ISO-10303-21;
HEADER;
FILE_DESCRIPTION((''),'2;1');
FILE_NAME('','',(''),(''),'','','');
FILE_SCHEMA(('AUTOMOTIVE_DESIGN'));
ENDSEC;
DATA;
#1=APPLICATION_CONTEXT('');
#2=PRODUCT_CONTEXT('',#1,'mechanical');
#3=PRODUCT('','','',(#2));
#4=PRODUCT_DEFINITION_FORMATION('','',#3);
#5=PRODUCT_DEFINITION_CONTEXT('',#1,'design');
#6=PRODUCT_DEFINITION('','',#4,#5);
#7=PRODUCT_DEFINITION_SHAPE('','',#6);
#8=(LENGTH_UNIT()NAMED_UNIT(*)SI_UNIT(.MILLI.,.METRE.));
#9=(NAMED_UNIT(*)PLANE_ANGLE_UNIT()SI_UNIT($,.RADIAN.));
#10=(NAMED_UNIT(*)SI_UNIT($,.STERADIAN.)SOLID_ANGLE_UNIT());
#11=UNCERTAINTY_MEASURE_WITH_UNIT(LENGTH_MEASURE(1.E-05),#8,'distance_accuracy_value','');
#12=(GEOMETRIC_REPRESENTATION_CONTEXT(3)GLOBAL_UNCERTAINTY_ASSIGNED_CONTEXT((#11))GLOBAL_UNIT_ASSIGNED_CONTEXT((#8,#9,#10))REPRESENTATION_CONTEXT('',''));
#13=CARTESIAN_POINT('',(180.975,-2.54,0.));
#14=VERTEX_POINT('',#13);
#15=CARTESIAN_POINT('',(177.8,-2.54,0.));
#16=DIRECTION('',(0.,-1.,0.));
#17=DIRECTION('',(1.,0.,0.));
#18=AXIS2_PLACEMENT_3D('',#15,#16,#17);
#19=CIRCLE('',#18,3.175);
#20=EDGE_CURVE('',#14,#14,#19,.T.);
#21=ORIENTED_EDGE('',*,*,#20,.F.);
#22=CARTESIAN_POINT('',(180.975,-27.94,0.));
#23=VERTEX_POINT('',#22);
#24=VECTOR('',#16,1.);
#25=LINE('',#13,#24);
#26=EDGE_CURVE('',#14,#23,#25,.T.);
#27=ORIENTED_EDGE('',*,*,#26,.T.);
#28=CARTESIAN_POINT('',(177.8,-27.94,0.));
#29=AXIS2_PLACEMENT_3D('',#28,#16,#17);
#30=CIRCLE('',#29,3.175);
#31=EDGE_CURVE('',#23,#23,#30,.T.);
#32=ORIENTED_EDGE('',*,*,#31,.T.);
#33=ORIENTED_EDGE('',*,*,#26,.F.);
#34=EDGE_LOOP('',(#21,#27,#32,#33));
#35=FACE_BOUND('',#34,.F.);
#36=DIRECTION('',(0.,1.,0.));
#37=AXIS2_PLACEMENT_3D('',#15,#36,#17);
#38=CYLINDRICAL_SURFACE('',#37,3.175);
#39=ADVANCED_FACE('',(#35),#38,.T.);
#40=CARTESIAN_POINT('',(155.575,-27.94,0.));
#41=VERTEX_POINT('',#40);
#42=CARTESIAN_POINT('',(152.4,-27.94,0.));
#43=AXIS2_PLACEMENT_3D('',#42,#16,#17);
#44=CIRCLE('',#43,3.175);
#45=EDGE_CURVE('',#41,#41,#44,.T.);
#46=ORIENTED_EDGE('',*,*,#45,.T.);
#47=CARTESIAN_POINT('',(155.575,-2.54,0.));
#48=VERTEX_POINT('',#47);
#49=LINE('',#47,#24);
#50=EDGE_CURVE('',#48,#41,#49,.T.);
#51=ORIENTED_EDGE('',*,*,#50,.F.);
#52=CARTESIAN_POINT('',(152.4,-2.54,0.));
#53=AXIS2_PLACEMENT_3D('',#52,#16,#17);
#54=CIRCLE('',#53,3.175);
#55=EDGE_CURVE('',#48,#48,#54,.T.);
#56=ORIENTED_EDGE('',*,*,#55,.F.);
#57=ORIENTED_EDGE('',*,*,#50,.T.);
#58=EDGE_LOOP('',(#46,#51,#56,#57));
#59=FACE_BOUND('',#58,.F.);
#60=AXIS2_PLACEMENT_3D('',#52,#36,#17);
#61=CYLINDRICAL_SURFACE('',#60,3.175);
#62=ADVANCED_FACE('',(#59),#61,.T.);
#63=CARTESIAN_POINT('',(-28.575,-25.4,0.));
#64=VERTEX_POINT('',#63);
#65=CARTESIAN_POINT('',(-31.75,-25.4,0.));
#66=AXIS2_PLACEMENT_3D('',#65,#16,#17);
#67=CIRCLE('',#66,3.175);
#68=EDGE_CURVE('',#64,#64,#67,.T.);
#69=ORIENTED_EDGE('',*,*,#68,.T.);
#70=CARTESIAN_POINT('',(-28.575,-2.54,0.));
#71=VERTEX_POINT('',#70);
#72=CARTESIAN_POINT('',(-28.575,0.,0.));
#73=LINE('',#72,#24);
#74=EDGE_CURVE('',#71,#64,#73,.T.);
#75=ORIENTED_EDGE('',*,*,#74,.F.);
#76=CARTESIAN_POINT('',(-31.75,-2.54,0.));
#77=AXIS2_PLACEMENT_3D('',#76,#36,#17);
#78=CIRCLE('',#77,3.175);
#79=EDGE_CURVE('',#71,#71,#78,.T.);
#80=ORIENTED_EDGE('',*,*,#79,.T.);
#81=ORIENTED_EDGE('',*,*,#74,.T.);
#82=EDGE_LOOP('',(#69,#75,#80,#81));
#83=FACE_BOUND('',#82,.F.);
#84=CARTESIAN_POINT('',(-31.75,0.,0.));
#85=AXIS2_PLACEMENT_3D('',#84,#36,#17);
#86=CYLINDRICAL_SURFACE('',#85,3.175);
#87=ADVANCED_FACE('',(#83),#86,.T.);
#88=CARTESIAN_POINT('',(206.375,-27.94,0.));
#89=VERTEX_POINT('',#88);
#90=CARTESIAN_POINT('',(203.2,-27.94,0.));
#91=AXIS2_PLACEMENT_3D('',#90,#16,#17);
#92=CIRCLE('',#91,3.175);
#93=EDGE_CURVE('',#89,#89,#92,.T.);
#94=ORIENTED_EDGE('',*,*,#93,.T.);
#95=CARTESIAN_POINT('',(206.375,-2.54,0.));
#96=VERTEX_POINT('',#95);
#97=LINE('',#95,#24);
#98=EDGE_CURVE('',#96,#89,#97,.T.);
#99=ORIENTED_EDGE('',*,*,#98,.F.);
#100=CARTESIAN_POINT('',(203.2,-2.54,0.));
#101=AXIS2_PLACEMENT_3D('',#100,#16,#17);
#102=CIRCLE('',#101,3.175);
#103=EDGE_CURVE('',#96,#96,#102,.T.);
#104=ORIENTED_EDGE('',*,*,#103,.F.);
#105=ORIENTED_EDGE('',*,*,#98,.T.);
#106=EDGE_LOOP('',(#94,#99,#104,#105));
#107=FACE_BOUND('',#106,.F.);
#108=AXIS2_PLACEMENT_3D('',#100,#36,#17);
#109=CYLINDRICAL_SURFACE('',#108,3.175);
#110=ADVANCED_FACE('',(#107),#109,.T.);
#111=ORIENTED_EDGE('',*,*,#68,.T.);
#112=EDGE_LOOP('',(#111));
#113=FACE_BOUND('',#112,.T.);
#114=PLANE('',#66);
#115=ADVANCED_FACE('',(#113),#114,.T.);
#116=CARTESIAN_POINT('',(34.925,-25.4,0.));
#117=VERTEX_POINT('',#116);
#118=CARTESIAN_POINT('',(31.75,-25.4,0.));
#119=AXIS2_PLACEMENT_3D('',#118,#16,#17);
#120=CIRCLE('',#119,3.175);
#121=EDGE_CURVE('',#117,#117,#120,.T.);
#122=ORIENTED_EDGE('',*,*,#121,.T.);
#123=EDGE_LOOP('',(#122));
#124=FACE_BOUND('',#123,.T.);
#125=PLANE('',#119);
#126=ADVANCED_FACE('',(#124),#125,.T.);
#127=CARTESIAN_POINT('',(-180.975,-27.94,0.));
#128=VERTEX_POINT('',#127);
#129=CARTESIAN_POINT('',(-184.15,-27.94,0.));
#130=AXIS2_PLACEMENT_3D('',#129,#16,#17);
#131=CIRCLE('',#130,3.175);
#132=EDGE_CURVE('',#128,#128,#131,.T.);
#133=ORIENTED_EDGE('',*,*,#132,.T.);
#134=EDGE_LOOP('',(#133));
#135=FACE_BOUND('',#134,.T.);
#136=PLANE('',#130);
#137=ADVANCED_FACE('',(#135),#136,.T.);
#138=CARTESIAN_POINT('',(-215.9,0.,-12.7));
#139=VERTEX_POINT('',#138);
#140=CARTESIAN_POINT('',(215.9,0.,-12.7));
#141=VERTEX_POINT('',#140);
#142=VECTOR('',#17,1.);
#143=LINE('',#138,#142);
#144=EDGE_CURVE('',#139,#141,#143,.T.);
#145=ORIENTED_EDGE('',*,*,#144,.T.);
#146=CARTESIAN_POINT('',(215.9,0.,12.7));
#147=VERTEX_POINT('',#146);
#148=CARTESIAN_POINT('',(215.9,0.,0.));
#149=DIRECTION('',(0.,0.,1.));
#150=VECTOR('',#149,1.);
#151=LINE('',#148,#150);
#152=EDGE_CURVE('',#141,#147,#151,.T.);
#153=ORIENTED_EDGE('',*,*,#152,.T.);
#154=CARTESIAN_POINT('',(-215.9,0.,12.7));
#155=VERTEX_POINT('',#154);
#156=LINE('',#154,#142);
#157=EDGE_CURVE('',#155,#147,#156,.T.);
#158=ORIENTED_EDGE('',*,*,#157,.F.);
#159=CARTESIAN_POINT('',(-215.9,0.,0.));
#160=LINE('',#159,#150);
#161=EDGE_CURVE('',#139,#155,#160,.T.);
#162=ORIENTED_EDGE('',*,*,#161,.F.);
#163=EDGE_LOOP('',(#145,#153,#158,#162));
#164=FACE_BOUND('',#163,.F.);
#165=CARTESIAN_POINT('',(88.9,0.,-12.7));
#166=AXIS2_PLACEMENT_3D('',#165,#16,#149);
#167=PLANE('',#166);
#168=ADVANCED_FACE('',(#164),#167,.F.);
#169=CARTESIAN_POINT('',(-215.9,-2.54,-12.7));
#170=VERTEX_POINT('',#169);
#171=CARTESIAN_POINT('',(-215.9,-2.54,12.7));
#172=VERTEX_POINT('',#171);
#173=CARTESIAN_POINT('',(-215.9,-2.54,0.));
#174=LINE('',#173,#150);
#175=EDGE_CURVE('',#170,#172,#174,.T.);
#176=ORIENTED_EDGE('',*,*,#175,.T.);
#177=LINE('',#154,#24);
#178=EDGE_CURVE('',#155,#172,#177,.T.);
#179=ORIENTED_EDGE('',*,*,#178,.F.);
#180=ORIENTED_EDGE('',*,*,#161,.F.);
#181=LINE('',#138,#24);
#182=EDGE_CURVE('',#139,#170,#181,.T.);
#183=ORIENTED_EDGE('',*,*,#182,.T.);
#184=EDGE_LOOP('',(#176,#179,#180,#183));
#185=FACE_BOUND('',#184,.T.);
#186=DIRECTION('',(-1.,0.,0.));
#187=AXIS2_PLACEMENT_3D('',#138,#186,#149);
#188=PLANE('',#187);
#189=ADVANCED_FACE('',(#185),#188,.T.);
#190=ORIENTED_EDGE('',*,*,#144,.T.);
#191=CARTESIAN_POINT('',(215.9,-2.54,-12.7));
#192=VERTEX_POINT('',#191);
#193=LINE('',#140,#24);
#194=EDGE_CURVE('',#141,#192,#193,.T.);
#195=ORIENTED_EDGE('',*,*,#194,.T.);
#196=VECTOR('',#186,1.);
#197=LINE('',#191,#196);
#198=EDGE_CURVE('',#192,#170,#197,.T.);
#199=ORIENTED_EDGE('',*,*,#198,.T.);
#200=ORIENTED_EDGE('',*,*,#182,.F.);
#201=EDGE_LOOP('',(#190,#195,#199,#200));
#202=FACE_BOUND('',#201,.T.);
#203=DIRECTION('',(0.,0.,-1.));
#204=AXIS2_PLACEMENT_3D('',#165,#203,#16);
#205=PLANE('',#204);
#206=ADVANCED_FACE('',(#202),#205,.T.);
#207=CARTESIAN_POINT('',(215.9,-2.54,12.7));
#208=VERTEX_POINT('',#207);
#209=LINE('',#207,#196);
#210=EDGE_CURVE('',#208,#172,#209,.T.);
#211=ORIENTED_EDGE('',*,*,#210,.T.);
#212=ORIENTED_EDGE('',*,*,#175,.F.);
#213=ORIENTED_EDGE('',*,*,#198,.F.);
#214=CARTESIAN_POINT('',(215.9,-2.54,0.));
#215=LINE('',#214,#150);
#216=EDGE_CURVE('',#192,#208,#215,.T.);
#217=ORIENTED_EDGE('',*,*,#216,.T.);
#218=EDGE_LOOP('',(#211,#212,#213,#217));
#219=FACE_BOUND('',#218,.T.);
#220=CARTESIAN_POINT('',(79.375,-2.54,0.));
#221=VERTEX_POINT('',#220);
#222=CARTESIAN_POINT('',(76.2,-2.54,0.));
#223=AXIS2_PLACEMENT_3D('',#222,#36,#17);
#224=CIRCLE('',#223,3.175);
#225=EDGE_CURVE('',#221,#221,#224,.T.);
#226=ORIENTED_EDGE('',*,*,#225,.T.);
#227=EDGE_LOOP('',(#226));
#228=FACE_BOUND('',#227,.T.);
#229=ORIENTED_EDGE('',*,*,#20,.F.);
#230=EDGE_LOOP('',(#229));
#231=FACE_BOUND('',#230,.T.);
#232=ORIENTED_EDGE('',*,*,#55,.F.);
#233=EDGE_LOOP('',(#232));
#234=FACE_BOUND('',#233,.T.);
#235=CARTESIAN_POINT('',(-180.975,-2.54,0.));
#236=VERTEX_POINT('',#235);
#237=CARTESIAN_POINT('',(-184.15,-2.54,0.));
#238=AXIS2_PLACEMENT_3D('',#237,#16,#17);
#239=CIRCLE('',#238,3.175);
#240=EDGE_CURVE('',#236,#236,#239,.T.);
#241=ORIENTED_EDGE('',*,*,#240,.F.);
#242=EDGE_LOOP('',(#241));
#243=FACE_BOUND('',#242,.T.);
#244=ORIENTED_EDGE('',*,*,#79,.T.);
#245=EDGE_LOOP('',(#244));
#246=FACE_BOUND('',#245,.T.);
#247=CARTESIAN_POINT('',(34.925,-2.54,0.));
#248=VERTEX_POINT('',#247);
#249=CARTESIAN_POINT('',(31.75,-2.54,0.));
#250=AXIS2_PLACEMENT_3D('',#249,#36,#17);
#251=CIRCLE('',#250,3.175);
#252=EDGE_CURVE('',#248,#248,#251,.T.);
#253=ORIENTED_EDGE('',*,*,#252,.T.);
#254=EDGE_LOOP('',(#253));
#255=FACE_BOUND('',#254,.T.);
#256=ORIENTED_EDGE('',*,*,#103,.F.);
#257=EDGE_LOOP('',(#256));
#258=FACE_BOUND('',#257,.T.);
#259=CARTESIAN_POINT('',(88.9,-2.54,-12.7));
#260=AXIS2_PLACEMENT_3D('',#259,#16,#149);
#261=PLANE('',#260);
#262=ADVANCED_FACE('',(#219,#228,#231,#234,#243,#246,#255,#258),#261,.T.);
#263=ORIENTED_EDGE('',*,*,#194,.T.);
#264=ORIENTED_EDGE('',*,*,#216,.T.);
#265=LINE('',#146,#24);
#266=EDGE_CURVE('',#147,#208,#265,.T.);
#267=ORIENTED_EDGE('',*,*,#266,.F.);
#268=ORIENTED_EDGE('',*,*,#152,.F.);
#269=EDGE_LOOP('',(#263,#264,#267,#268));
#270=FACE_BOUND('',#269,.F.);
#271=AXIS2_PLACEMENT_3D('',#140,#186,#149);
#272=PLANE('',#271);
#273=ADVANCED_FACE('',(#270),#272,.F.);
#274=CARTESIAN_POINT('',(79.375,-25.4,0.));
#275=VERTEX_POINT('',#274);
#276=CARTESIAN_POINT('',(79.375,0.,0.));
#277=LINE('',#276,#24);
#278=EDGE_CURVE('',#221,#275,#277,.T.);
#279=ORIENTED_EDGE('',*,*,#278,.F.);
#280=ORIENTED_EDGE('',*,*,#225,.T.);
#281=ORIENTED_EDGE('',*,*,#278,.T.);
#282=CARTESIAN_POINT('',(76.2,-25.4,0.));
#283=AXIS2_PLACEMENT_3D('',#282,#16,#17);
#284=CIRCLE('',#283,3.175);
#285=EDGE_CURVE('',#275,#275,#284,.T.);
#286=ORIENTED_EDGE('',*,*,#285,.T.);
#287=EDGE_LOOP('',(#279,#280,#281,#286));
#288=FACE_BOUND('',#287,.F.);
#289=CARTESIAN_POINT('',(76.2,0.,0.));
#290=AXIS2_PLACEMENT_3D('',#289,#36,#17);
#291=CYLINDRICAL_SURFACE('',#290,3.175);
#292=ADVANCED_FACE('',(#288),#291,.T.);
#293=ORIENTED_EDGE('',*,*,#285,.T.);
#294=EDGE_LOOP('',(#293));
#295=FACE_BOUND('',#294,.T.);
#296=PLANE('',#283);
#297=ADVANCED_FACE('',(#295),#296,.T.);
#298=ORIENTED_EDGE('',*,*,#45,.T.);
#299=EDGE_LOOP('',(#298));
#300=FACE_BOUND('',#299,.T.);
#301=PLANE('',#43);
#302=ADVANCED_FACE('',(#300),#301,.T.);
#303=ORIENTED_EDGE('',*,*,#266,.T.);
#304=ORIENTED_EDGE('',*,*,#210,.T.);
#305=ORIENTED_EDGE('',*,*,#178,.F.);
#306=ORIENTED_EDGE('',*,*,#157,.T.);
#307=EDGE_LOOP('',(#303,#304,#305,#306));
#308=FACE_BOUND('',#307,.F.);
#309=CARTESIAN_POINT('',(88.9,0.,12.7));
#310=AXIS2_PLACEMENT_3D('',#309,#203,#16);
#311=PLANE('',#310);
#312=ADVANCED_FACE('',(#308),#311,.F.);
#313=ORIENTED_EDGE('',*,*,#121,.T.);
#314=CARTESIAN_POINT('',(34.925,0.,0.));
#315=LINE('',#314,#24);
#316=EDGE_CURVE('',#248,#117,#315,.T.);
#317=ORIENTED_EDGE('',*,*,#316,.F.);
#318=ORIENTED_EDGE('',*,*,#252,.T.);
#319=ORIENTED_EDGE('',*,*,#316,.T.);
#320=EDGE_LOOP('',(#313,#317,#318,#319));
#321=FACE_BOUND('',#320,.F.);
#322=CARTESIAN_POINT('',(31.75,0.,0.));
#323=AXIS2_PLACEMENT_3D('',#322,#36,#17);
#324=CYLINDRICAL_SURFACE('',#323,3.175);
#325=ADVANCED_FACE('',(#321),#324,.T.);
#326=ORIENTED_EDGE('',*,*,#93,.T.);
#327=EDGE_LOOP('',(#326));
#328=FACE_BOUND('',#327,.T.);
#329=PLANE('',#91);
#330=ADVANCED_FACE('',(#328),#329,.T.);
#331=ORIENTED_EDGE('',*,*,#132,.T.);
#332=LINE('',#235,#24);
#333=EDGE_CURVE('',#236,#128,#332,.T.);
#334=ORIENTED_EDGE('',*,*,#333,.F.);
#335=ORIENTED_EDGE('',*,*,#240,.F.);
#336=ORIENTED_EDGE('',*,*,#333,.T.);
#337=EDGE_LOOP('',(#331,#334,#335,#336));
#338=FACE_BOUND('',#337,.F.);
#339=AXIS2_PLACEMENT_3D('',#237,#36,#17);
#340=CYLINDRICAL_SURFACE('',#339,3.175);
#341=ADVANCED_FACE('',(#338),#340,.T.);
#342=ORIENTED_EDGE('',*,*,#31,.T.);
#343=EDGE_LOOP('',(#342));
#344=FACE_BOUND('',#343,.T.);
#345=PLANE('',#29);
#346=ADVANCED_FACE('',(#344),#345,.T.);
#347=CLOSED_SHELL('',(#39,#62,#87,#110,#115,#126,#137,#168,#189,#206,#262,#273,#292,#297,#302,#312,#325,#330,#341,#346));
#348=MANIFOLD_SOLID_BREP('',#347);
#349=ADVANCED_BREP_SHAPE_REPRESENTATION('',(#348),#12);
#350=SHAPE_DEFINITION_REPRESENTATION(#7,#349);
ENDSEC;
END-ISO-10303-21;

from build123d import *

# Parameters (mm, degrees)
F0_W      = 177.8
F0_H      = 25.4
F1_DEPTH  = 2.54
F2_R      = 3.175
F3_DEPTH  = 25.4
F4_DEPTH  = 25.4
F5_DEPTH  = 127
F6_R      = 3.175
F7_DEPTH  = 25.4
F8_DEPTH  = 127
F9_R      = 3.175
F10_DEPTH = 25.4


with BuildPart() as f1:
    # F0 (on Front) → F1 (new body)
    with BuildSketch(Plane.XZ):
        Rectangle(F0_W, F0_H)
    extrude(amount=F1_DEPTH)

    # F2 (on Front) → F3 (join)
    with BuildSketch(Plane.XZ):
        with Locations((-31.75, 0)):
            Circle(F2_R)
        with Locations((31.75, 0)):
            Circle(F2_R)
    extrude(amount=F3_DEPTH)

    # F2 (on Front) → F4 (join)
    with BuildSketch(Plane.XZ):
        with Locations((-31.75, 0)):
            Circle(F2_R)
        with Locations((31.75, 0)):
            Circle(F2_R)
        with Locations((76.2, 0)):
            Circle(F2_R)
    extrude(amount=F4_DEPTH)

    # F5 (add): a face of the model
    f5_faces = [f1.faces().sort_by_distance(p)[0] for p in [
        (-88.9, -1.27, 0),
    ]]
    extrude(f5_faces, amount=F5_DEPTH)

    # F6 (on face) → F7 (join)
    with BuildSketch(Plane.XZ.offset(2.54)):
        with Locations((-184.15, 0)):
            Circle(F6_R)
    extrude(amount=F7_DEPTH)

    # F8 (add): a face of the model
    f8_faces = [f1.faces().sort_by_distance(p)[0] for p in [
        (88.9, -1.27, 0),
    ]]
    extrude(f8_faces, amount=F8_DEPTH)

    # F9 (on face) → F10 (join)
    with BuildSketch(Plane.XZ.offset(2.54)):
        with Locations((152.4, 0)):
            Circle(F9_R)
        with Locations((177.8, 0)):
            Circle(F9_R)
        with Locations((203.2, 0)):
            Circle(F9_R)
    extrude(amount=F10_DEPTH)


solid = f1.part
